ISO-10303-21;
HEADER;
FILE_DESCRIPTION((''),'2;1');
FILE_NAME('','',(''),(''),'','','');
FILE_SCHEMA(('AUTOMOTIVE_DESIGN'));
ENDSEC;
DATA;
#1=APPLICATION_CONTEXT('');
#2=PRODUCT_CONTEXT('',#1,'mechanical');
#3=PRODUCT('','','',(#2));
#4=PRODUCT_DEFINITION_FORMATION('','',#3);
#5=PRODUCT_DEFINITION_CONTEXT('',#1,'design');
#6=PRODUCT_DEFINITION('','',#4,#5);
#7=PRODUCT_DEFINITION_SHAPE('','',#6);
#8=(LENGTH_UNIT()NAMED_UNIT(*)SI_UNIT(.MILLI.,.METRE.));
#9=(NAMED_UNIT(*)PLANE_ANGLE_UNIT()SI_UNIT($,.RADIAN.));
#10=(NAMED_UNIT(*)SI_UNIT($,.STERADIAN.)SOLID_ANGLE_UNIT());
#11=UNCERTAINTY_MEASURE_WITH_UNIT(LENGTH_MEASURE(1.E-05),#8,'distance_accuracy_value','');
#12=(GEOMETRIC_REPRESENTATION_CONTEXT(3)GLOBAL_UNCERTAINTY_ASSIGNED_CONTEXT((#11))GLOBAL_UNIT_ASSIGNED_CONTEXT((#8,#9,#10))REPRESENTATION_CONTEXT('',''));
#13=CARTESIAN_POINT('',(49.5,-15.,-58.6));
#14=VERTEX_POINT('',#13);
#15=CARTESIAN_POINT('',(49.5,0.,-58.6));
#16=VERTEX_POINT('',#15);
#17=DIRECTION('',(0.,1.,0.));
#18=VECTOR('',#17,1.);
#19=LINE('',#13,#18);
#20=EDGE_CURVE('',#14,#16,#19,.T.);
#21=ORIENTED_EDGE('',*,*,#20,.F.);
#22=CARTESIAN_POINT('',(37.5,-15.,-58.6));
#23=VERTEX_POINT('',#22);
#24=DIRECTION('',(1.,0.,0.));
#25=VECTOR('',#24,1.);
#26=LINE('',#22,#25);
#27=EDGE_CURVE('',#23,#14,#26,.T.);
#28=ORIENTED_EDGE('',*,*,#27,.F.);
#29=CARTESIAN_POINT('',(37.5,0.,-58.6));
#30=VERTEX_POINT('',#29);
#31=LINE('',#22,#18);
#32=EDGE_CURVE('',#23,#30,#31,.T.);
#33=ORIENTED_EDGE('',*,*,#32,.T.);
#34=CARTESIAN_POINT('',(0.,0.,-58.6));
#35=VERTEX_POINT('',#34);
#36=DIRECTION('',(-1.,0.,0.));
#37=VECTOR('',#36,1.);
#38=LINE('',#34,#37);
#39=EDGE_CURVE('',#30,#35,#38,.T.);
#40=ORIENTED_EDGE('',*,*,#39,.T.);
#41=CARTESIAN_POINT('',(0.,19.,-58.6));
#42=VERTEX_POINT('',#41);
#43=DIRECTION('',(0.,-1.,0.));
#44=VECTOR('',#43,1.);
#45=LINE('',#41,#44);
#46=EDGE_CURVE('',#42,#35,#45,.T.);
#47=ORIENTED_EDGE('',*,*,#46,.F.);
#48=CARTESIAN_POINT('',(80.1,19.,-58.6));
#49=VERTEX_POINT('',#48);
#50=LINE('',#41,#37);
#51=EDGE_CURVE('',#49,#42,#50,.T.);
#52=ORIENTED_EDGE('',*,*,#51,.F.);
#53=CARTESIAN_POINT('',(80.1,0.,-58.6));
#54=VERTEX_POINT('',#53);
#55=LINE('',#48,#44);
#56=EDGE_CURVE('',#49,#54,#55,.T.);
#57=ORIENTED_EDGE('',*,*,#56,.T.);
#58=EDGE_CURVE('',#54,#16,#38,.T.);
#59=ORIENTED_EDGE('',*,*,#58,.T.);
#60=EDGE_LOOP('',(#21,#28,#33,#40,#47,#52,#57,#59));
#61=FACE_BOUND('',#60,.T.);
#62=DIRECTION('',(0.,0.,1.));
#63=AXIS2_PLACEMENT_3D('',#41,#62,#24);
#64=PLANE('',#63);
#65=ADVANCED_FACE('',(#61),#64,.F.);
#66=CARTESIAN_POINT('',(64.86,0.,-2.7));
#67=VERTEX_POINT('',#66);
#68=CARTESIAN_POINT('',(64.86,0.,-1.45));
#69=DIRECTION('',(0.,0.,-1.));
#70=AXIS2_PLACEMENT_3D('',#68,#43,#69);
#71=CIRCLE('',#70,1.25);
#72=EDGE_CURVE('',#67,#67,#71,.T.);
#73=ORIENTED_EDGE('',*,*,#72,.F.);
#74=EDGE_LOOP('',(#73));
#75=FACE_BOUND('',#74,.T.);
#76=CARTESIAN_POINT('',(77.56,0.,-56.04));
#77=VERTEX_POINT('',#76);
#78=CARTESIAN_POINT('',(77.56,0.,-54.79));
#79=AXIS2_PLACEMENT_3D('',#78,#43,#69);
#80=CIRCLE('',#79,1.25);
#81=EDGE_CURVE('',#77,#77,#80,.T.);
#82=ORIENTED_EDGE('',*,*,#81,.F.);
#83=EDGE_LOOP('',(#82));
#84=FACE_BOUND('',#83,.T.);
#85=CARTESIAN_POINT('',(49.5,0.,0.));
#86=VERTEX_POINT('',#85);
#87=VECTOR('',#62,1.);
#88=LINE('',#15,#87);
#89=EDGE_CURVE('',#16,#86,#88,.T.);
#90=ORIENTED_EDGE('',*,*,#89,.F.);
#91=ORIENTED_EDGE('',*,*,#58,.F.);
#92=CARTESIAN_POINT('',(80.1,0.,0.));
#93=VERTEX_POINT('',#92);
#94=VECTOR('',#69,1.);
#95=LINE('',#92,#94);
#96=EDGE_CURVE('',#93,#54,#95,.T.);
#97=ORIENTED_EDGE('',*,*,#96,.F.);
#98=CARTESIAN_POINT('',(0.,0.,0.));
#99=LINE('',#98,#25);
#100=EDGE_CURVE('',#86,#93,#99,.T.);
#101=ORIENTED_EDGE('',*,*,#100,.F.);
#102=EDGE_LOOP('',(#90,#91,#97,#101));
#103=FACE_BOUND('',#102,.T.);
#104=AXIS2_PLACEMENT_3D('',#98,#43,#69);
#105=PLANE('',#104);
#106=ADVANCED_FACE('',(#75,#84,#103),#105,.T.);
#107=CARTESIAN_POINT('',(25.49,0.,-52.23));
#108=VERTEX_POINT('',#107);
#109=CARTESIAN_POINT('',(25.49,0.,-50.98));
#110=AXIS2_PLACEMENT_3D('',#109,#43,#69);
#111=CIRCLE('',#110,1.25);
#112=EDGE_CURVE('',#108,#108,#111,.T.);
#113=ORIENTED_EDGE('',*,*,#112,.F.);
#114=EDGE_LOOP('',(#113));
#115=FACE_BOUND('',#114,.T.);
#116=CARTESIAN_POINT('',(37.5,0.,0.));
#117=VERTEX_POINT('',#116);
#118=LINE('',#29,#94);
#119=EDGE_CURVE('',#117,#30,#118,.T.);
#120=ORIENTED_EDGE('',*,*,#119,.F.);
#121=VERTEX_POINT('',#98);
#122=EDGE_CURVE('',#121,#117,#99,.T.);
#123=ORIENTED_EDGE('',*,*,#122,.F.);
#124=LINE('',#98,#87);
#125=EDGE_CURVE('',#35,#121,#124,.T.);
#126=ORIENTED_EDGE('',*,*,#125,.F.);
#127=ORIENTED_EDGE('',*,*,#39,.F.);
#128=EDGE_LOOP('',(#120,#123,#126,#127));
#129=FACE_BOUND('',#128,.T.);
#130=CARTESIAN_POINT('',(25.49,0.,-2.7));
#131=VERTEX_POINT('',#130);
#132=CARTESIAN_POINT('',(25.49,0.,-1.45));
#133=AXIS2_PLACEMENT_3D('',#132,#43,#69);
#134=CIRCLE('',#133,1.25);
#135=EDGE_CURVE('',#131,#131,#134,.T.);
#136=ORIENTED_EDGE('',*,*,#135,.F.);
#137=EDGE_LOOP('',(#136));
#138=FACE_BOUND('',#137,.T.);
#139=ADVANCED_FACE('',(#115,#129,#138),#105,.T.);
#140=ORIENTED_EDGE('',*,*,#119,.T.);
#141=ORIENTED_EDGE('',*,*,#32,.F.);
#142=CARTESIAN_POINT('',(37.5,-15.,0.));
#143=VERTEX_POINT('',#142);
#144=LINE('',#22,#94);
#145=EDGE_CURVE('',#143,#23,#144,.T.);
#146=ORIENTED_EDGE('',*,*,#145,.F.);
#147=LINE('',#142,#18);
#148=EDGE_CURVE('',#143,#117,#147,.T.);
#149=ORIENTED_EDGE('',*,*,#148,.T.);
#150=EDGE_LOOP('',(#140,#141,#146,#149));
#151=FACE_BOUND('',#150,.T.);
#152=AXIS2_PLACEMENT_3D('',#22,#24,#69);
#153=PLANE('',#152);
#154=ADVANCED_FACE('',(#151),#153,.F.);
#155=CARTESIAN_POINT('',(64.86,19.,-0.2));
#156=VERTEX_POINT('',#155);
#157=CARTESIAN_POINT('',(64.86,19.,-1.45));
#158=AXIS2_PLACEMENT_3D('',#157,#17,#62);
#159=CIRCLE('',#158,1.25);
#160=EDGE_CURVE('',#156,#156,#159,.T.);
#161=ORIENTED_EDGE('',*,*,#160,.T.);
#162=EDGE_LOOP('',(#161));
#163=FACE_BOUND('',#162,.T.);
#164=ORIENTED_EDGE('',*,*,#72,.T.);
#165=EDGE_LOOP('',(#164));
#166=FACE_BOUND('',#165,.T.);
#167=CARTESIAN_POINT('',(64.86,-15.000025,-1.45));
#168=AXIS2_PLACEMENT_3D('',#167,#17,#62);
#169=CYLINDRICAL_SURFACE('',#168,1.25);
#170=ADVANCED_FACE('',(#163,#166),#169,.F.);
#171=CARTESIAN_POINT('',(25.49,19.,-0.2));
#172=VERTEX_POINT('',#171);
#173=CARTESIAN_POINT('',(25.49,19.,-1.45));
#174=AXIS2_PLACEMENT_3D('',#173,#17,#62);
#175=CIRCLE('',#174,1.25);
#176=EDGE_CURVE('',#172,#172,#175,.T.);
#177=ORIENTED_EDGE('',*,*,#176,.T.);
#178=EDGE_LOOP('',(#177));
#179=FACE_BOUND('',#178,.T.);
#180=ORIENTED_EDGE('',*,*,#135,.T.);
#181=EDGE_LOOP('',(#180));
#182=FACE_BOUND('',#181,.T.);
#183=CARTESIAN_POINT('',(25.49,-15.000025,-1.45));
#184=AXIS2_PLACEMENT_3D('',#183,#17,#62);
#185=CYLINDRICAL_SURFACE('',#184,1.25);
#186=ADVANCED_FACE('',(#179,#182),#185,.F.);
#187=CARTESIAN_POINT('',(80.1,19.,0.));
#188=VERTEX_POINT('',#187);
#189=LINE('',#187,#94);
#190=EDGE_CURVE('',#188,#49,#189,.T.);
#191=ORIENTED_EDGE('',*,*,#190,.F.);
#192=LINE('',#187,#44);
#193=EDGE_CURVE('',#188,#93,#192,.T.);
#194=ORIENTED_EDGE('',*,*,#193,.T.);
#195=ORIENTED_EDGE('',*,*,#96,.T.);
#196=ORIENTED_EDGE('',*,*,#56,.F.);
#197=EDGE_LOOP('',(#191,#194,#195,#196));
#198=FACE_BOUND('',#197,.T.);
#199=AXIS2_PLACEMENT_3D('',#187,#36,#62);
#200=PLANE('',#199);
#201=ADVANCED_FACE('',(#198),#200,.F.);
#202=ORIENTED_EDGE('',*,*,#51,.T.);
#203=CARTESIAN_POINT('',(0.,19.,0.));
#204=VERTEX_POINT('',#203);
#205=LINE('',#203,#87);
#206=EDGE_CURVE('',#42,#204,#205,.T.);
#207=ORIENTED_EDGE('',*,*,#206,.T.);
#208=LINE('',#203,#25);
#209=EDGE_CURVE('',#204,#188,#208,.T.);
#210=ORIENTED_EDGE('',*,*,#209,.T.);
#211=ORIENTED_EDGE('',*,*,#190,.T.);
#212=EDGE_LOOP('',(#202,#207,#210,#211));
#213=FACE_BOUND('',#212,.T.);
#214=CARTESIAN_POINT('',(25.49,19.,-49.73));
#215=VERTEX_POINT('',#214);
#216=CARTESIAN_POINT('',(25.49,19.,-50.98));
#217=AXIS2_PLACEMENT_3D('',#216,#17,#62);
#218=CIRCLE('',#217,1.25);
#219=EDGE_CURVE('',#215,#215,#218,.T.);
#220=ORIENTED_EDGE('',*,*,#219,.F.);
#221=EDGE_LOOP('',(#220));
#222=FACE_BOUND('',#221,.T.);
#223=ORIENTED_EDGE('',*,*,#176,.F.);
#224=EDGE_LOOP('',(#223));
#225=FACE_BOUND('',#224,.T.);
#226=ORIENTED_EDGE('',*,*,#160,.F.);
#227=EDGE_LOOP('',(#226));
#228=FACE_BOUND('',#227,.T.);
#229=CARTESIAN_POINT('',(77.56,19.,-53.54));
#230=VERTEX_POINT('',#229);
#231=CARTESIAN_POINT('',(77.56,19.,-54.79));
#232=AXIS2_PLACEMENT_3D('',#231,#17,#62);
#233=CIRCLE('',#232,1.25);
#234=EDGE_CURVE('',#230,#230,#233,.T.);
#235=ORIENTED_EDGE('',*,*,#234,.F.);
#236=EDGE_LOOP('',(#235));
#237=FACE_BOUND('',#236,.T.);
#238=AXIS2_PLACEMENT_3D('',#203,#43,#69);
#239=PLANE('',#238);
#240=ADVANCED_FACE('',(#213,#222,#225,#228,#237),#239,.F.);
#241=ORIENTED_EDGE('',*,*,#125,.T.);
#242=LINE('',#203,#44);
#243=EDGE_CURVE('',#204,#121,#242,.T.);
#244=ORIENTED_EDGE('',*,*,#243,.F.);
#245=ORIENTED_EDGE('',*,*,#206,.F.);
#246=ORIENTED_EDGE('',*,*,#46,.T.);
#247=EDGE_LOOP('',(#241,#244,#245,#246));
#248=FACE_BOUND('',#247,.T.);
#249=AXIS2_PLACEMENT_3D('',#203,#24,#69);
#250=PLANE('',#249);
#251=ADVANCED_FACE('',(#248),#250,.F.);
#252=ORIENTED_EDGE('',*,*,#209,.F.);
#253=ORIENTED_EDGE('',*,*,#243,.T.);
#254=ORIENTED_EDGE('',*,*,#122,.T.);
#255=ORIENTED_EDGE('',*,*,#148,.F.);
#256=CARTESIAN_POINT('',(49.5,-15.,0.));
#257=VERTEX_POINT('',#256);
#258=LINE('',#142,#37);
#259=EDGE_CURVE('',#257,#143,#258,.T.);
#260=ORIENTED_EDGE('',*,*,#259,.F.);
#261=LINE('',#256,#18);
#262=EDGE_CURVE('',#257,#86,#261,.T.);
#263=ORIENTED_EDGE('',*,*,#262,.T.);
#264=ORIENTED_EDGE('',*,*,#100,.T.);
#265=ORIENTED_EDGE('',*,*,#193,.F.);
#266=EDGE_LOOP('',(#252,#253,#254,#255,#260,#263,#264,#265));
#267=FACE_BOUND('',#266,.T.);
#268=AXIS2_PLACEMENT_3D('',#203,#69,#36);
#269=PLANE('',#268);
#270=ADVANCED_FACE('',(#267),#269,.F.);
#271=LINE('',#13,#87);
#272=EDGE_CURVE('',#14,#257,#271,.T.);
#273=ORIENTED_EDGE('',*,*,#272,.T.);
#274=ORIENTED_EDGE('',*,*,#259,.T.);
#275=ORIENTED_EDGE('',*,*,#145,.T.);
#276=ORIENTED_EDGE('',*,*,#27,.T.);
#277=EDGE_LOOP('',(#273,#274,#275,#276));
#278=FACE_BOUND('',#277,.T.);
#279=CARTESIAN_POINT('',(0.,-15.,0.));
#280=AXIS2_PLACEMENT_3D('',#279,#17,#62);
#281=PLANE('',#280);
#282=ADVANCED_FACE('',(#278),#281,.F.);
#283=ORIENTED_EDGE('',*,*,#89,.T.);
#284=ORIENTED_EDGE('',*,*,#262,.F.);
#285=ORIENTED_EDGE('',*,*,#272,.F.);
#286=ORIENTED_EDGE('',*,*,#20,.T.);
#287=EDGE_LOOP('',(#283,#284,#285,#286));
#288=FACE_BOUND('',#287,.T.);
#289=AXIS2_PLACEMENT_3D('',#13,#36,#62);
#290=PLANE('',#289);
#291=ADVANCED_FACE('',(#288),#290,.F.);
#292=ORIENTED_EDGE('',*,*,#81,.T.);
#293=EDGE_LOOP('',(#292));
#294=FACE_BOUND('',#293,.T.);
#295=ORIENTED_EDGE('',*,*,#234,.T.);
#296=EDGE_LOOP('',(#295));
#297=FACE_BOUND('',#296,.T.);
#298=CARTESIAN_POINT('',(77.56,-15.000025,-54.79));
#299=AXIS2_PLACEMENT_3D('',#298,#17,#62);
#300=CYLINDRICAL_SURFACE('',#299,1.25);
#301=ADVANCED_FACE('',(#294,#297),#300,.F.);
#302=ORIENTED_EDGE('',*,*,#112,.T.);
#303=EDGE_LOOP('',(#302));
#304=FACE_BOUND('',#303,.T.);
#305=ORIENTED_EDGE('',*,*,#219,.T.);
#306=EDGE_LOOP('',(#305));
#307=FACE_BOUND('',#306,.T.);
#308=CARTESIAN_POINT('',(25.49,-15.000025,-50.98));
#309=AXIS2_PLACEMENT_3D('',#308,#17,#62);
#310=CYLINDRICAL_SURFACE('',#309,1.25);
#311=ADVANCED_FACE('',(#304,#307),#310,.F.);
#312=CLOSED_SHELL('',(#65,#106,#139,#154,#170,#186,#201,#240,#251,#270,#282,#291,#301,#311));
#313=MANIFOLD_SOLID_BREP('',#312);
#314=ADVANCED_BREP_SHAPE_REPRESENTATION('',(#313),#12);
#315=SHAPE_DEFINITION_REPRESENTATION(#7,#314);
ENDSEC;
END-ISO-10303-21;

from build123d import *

# Parameters (mm, degrees)
ESQUISSE1_W             = 80.1
ESQUISSE1_H             = 58.6
BOSS_EXTRU_1_DEPTH      = 19
ESQUISSE2_W             = 12
ESQUISSE2_H             = 58.6
BOSS_EXTRU_2_DEPTH      = 15
ESQUISSE3_R             = 1.25
ENL_V_MAT_EXTRU_1_DEPTH = 105.909341815


with BuildPart() as part:
    # Esquisse1 → Boss.-Extru.1 (new body)
    with BuildSketch(Plane(origin=(0, 0, 0), x_dir=(1, 0, 0), z_dir=(0, 1, 0))):
        with Locations((40.05, 29.3)):
            Rectangle(ESQUISSE1_W, ESQUISSE1_H)
    extrude(amount=BOSS_EXTRU_1_DEPTH)

    # Esquisse2 → Boss.-Extru.2 (add)
    with BuildSketch(Plane.XZ):
        with Locations((43.5, -29.3)):
            Rectangle(ESQUISSE2_W, ESQUISSE2_H)
    extrude(amount=BOSS_EXTRU_2_DEPTH)

    # Esquisse3 → Enlèv. mat.-Extru.1 (cut, through all)
    with BuildSketch(Plane(origin=(0, 19, 0), x_dir=(1, 0, 0), z_dir=(0, 1, 0))):
        with Locations(Location((77.56, 54.79, 0), (0, 0, 270))):
            Circle(ESQUISSE3_R)
        with Locations(Location((25.49, 50.98, 0), (0, 0, 270))):
            Circle(ESQUISSE3_R)
        with Locations(Location((25.49, 1.45, 0), (0, 0, 270))):
            Circle(ESQUISSE3_R)
        with Locations(Location((64.86, 1.45, 0), (0, 0, 270))):
            Circle(ESQUISSE3_R)
    extrude(amount=-ENL_V_MAT_EXTRU_1_DEPTH, mode=Mode.SUBTRACT)


solid = part.part
